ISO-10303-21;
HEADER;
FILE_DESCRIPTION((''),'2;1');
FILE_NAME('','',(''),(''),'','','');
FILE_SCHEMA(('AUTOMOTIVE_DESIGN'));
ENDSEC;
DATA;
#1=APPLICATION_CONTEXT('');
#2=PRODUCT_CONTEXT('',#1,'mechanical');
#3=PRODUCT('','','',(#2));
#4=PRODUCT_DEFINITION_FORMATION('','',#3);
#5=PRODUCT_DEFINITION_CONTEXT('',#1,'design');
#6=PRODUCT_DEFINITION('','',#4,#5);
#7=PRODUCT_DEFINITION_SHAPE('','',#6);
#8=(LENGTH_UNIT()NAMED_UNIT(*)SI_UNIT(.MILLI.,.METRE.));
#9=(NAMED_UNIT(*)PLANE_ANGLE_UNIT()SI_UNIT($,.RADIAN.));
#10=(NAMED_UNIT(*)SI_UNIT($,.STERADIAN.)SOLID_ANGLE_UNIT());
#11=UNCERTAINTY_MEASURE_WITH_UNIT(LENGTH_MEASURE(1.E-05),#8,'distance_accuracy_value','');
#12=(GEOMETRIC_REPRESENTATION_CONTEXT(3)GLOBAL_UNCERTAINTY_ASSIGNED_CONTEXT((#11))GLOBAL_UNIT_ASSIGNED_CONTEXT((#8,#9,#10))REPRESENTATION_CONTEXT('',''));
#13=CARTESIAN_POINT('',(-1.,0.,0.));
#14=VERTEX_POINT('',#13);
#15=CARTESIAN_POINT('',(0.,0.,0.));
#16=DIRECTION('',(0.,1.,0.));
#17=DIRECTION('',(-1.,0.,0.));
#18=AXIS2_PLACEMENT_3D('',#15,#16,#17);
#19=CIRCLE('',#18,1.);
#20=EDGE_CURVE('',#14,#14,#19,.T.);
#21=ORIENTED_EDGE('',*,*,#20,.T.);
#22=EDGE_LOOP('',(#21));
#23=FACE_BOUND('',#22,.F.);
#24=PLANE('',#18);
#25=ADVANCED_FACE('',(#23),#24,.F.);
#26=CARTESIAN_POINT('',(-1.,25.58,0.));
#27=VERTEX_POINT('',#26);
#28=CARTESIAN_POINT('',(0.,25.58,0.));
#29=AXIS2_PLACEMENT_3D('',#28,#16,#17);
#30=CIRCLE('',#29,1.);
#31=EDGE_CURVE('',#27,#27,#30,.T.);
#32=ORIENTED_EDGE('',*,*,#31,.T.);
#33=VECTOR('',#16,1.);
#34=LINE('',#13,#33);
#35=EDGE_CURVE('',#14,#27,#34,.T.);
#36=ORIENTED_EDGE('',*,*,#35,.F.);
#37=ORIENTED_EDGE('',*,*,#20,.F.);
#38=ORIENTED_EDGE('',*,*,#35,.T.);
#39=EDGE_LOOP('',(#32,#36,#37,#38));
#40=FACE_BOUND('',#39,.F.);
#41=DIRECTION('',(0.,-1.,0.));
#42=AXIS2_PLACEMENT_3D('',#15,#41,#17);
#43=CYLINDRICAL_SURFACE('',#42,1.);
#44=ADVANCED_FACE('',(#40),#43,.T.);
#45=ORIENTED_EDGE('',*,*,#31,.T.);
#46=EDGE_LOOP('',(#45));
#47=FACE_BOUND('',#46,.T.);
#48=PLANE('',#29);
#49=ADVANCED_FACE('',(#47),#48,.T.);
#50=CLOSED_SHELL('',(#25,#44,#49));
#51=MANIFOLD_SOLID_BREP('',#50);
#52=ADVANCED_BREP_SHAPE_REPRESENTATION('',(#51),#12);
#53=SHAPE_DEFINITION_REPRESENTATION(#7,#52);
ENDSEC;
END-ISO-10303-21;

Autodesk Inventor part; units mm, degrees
ref_plane "YZ Plane" through (0, 0, 0) normal (1, 0, 0) x (0, 1, 0)
ref_plane "XZ Plane" through (0, 0, 0) normal (0, 1, 0) x (-1, 0, 0)
ref_plane "XY Plane" through (0, 0, 0) normal (0, 0, 1) x (1, 0, 0)
sketch "Sketch1" plane through (0, 0, 0) normal (0, 1, 0) x (-1, 0, 0)
  circle A0 centre (0, 0) radius 1
  dimension "d0" = 2
extrude "Extrusion1" add sketch "Sketch1" along normal blind 25.58
ref_plane "Work Plane1" through (0, -30, 0) normal (0, -1, 0) x (1, 0, 0)
properties part number "LOOP1_COLL_POSTDEF2"
